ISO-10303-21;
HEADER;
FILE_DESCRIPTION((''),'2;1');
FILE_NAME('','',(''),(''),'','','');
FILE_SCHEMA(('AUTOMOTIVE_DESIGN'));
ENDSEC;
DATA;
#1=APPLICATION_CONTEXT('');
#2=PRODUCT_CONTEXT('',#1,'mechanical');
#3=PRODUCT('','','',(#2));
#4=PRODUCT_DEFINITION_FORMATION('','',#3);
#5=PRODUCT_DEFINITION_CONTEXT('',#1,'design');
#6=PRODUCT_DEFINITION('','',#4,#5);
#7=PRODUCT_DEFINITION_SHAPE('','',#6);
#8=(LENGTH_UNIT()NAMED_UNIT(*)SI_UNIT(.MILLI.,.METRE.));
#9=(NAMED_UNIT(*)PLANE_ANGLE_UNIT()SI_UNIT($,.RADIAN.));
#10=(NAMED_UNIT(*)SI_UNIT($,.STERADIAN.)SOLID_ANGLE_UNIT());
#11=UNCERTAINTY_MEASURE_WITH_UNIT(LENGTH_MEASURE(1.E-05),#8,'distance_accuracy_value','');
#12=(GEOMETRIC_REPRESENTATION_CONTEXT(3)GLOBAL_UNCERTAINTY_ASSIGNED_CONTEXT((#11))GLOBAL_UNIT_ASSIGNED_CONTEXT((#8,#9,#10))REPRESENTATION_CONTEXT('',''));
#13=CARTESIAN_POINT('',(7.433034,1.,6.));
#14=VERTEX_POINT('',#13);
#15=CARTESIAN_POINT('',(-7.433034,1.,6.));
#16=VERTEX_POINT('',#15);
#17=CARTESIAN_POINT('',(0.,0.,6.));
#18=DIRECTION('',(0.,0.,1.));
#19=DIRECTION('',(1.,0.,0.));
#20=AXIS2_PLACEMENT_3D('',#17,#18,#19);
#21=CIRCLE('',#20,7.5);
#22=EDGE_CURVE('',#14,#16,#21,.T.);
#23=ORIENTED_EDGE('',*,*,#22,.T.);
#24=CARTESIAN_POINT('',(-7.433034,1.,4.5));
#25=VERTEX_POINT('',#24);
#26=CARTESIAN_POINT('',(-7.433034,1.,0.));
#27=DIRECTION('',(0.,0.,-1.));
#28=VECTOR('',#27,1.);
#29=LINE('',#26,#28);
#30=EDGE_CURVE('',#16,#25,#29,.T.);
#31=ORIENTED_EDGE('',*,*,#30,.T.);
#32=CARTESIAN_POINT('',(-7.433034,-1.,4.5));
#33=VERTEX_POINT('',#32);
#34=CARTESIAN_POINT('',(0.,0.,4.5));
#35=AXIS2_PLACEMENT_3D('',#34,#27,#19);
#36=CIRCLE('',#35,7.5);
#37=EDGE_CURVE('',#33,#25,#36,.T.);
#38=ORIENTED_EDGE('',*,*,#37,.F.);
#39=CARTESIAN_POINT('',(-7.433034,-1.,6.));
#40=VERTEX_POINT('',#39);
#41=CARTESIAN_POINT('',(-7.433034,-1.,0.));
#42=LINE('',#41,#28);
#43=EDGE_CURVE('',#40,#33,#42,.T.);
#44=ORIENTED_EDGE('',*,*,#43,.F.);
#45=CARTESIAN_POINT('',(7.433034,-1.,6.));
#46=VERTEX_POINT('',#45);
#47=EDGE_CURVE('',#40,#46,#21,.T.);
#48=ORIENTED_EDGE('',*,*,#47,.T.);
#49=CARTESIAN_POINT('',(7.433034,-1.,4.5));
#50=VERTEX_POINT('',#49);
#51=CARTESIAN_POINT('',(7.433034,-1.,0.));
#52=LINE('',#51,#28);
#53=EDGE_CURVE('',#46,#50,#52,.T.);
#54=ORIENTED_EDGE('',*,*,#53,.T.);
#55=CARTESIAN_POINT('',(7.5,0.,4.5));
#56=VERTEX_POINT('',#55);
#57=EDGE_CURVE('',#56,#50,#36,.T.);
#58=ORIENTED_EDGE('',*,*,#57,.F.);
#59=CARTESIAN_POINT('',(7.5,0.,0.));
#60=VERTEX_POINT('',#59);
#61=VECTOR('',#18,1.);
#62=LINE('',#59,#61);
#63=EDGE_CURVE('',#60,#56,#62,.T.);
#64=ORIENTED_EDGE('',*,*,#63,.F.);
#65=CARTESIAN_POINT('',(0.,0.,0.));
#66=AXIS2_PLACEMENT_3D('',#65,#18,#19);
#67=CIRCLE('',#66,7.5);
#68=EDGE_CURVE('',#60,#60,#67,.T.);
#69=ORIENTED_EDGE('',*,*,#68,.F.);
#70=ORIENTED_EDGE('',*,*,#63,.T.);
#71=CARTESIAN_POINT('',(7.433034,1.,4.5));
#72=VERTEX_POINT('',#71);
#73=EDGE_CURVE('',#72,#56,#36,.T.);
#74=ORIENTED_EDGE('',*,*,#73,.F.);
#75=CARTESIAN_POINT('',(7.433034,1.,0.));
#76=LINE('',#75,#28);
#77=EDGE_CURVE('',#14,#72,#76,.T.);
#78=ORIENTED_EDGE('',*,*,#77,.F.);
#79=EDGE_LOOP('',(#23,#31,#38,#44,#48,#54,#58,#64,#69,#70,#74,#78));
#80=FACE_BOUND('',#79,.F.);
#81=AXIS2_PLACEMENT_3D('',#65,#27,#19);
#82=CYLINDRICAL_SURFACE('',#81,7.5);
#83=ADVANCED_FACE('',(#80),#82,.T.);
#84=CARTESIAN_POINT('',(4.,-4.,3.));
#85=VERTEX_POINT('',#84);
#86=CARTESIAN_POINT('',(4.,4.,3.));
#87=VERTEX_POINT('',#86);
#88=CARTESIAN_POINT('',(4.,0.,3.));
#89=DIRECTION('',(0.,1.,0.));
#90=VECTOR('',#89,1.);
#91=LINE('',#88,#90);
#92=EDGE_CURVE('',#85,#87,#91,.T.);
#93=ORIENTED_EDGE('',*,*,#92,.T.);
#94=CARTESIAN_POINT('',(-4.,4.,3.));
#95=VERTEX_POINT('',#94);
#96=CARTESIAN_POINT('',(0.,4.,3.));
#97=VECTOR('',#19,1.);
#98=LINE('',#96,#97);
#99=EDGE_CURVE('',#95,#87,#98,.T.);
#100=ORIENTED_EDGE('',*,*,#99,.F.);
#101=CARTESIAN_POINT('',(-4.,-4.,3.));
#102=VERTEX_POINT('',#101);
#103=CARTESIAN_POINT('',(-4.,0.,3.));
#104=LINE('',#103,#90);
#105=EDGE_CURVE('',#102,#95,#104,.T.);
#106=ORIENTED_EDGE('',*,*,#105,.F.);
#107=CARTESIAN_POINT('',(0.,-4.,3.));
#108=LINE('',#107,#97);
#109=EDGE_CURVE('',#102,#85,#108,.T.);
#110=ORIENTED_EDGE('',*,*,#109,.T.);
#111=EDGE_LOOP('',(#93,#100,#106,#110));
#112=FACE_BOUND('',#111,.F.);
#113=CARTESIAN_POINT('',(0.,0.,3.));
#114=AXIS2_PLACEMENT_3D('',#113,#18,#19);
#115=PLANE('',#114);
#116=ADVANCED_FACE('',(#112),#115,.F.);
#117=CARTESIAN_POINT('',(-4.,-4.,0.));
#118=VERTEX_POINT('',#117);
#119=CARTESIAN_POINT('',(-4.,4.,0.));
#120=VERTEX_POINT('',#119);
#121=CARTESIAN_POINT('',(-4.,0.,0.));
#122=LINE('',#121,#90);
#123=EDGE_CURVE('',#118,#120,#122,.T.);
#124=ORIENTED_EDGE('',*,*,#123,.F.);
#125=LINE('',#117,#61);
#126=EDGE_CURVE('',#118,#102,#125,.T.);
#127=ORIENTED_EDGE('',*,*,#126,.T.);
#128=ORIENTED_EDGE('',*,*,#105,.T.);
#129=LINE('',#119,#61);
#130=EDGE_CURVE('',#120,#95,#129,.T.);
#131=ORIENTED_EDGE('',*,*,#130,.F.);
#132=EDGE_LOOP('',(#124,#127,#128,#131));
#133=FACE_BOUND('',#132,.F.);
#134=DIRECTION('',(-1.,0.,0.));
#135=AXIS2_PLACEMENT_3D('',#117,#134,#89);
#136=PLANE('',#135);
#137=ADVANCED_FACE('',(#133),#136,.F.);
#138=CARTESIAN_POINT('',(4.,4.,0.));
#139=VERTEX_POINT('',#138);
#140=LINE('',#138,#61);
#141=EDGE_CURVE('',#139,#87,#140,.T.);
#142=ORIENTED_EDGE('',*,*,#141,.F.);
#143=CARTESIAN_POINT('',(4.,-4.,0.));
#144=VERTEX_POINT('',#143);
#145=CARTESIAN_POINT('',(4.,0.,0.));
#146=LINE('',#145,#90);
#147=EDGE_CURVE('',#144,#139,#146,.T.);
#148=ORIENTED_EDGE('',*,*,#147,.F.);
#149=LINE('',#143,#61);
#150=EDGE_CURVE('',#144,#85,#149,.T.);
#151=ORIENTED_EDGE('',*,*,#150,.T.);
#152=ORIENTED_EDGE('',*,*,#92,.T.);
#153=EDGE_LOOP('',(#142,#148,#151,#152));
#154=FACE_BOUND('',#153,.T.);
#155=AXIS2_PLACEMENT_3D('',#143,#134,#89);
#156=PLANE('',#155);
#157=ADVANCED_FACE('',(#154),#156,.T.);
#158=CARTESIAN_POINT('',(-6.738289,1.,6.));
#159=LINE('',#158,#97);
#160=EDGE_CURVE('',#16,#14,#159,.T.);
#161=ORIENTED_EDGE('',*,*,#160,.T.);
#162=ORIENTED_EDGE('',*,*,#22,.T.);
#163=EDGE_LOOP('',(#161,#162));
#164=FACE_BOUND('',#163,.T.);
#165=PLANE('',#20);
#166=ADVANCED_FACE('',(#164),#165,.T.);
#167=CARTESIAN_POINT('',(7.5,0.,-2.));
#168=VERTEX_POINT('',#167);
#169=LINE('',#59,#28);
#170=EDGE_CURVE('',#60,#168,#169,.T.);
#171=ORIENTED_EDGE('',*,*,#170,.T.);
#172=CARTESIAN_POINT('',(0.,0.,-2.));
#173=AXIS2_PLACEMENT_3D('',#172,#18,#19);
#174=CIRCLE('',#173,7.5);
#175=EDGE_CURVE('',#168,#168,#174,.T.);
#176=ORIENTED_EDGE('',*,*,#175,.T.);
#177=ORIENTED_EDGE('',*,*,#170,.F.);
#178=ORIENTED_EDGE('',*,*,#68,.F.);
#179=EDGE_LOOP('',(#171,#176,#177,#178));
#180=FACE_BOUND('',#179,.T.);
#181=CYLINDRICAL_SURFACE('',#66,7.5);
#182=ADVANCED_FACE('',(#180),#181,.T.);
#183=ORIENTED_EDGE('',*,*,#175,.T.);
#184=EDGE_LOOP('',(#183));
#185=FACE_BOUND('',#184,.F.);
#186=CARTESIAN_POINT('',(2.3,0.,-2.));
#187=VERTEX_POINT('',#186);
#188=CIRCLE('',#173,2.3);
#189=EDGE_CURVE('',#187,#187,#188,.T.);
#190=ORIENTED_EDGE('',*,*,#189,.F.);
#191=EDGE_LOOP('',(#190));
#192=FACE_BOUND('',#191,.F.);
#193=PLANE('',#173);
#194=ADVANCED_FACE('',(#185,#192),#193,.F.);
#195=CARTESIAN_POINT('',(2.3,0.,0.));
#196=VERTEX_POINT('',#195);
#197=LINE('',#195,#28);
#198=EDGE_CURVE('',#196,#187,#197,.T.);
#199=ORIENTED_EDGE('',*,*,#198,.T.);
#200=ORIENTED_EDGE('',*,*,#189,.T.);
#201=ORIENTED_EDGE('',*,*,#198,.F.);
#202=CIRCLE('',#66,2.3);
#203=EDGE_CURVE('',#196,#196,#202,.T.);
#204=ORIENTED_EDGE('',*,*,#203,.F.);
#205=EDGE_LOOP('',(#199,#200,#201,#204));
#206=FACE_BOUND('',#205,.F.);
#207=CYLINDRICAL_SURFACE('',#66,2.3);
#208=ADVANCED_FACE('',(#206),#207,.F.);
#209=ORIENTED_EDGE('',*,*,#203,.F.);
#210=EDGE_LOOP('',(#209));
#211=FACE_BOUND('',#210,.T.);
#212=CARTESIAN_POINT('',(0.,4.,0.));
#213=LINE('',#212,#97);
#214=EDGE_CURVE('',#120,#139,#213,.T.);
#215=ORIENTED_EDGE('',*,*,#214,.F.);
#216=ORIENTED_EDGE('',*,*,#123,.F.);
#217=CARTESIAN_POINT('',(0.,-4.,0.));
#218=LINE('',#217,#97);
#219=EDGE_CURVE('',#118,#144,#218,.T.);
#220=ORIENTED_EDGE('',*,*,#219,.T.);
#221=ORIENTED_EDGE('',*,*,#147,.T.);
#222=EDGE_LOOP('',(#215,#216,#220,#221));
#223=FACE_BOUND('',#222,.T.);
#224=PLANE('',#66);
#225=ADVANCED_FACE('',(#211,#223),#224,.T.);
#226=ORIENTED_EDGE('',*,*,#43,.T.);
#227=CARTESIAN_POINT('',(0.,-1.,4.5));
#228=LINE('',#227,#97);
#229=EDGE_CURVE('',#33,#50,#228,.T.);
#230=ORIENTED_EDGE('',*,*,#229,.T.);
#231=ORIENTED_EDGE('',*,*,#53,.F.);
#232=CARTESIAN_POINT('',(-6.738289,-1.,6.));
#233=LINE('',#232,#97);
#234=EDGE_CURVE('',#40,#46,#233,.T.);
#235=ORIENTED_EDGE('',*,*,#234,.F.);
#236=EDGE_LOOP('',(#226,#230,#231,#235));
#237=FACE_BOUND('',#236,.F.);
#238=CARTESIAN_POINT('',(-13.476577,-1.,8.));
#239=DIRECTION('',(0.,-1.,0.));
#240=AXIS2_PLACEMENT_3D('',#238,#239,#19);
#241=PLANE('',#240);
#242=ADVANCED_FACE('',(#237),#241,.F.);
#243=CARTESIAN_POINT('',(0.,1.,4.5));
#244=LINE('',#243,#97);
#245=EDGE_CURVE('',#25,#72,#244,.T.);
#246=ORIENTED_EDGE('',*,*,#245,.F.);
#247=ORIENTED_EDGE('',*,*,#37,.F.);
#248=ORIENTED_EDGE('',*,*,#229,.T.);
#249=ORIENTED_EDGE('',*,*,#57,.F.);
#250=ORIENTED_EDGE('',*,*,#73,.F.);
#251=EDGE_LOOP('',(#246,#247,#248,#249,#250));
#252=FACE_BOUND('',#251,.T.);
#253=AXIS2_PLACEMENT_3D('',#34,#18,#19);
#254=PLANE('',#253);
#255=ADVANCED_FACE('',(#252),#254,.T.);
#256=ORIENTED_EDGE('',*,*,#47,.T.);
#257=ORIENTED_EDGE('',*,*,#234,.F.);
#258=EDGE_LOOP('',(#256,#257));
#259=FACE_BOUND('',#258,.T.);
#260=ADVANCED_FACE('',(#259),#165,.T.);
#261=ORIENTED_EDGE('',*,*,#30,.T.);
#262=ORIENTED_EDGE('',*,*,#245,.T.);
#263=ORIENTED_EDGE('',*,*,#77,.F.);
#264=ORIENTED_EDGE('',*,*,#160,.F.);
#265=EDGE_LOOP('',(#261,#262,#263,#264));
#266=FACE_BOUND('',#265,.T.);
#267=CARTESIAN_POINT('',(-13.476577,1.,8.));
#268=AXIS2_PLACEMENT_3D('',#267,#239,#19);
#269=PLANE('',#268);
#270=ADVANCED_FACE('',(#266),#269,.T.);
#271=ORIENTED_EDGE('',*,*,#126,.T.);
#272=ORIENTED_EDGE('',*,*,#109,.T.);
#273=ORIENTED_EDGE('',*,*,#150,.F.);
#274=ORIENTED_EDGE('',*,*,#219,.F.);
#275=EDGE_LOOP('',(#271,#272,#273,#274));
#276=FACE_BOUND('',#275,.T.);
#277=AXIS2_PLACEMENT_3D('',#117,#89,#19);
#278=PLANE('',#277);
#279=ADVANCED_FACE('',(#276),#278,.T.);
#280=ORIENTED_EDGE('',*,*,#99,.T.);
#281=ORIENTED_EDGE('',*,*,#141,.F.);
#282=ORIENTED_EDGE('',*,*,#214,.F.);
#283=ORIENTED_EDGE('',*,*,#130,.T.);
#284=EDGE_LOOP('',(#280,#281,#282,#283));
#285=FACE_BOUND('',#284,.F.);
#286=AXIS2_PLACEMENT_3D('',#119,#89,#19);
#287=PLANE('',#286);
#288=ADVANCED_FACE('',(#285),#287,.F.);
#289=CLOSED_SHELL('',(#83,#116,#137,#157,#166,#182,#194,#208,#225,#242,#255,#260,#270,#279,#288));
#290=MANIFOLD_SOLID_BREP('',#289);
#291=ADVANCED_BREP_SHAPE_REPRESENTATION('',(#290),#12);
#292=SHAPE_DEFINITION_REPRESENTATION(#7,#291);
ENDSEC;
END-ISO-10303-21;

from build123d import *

# Parameters (mm, degrees)
SKETCH_R        = 7.5
SKETCH_R_2      = 2.3
PAD_DEPTH       = 2
SKETCH001_R     = 7.5
PAD001_DEPTH    = 6
SKETCH002_W     = 8
SKETCH002_H     = 8
POCKET_DEPTH    = 3
SKETCH003_W     = 26.953154
SKETCH003_H     = 2
POCKET001_DEPTH = 3.5


with BuildPart() as part:
    # Sketch → Pad (new body)
    with BuildSketch(Plane.XY):
        Circle(SKETCH_R)
        Circle(SKETCH_R_2, mode=Mode.SUBTRACT)
    extrude(amount=-PAD_DEPTH)

    # Sketch001 → Pad001 (join)
    with BuildSketch(Plane.XY):
        Circle(SKETCH001_R)
    extrude(amount=PAD001_DEPTH)

    # Sketch002 → Pocket (cut)
    with BuildSketch(Plane.XY):
        Rectangle(SKETCH002_W, SKETCH002_H)
    extrude(amount=POCKET_DEPTH, mode=Mode.SUBTRACT)

    # Sketch003 (on DatumPlane) → Pocket001 (cut, symmetric)
    with BuildSketch(Plane.XY.offset(8)):
        Rectangle(SKETCH003_W, SKETCH003_H)
    extrude(amount=POCKET001_DEPTH, both=True, mode=Mode.SUBTRACT)


solid = part.part
